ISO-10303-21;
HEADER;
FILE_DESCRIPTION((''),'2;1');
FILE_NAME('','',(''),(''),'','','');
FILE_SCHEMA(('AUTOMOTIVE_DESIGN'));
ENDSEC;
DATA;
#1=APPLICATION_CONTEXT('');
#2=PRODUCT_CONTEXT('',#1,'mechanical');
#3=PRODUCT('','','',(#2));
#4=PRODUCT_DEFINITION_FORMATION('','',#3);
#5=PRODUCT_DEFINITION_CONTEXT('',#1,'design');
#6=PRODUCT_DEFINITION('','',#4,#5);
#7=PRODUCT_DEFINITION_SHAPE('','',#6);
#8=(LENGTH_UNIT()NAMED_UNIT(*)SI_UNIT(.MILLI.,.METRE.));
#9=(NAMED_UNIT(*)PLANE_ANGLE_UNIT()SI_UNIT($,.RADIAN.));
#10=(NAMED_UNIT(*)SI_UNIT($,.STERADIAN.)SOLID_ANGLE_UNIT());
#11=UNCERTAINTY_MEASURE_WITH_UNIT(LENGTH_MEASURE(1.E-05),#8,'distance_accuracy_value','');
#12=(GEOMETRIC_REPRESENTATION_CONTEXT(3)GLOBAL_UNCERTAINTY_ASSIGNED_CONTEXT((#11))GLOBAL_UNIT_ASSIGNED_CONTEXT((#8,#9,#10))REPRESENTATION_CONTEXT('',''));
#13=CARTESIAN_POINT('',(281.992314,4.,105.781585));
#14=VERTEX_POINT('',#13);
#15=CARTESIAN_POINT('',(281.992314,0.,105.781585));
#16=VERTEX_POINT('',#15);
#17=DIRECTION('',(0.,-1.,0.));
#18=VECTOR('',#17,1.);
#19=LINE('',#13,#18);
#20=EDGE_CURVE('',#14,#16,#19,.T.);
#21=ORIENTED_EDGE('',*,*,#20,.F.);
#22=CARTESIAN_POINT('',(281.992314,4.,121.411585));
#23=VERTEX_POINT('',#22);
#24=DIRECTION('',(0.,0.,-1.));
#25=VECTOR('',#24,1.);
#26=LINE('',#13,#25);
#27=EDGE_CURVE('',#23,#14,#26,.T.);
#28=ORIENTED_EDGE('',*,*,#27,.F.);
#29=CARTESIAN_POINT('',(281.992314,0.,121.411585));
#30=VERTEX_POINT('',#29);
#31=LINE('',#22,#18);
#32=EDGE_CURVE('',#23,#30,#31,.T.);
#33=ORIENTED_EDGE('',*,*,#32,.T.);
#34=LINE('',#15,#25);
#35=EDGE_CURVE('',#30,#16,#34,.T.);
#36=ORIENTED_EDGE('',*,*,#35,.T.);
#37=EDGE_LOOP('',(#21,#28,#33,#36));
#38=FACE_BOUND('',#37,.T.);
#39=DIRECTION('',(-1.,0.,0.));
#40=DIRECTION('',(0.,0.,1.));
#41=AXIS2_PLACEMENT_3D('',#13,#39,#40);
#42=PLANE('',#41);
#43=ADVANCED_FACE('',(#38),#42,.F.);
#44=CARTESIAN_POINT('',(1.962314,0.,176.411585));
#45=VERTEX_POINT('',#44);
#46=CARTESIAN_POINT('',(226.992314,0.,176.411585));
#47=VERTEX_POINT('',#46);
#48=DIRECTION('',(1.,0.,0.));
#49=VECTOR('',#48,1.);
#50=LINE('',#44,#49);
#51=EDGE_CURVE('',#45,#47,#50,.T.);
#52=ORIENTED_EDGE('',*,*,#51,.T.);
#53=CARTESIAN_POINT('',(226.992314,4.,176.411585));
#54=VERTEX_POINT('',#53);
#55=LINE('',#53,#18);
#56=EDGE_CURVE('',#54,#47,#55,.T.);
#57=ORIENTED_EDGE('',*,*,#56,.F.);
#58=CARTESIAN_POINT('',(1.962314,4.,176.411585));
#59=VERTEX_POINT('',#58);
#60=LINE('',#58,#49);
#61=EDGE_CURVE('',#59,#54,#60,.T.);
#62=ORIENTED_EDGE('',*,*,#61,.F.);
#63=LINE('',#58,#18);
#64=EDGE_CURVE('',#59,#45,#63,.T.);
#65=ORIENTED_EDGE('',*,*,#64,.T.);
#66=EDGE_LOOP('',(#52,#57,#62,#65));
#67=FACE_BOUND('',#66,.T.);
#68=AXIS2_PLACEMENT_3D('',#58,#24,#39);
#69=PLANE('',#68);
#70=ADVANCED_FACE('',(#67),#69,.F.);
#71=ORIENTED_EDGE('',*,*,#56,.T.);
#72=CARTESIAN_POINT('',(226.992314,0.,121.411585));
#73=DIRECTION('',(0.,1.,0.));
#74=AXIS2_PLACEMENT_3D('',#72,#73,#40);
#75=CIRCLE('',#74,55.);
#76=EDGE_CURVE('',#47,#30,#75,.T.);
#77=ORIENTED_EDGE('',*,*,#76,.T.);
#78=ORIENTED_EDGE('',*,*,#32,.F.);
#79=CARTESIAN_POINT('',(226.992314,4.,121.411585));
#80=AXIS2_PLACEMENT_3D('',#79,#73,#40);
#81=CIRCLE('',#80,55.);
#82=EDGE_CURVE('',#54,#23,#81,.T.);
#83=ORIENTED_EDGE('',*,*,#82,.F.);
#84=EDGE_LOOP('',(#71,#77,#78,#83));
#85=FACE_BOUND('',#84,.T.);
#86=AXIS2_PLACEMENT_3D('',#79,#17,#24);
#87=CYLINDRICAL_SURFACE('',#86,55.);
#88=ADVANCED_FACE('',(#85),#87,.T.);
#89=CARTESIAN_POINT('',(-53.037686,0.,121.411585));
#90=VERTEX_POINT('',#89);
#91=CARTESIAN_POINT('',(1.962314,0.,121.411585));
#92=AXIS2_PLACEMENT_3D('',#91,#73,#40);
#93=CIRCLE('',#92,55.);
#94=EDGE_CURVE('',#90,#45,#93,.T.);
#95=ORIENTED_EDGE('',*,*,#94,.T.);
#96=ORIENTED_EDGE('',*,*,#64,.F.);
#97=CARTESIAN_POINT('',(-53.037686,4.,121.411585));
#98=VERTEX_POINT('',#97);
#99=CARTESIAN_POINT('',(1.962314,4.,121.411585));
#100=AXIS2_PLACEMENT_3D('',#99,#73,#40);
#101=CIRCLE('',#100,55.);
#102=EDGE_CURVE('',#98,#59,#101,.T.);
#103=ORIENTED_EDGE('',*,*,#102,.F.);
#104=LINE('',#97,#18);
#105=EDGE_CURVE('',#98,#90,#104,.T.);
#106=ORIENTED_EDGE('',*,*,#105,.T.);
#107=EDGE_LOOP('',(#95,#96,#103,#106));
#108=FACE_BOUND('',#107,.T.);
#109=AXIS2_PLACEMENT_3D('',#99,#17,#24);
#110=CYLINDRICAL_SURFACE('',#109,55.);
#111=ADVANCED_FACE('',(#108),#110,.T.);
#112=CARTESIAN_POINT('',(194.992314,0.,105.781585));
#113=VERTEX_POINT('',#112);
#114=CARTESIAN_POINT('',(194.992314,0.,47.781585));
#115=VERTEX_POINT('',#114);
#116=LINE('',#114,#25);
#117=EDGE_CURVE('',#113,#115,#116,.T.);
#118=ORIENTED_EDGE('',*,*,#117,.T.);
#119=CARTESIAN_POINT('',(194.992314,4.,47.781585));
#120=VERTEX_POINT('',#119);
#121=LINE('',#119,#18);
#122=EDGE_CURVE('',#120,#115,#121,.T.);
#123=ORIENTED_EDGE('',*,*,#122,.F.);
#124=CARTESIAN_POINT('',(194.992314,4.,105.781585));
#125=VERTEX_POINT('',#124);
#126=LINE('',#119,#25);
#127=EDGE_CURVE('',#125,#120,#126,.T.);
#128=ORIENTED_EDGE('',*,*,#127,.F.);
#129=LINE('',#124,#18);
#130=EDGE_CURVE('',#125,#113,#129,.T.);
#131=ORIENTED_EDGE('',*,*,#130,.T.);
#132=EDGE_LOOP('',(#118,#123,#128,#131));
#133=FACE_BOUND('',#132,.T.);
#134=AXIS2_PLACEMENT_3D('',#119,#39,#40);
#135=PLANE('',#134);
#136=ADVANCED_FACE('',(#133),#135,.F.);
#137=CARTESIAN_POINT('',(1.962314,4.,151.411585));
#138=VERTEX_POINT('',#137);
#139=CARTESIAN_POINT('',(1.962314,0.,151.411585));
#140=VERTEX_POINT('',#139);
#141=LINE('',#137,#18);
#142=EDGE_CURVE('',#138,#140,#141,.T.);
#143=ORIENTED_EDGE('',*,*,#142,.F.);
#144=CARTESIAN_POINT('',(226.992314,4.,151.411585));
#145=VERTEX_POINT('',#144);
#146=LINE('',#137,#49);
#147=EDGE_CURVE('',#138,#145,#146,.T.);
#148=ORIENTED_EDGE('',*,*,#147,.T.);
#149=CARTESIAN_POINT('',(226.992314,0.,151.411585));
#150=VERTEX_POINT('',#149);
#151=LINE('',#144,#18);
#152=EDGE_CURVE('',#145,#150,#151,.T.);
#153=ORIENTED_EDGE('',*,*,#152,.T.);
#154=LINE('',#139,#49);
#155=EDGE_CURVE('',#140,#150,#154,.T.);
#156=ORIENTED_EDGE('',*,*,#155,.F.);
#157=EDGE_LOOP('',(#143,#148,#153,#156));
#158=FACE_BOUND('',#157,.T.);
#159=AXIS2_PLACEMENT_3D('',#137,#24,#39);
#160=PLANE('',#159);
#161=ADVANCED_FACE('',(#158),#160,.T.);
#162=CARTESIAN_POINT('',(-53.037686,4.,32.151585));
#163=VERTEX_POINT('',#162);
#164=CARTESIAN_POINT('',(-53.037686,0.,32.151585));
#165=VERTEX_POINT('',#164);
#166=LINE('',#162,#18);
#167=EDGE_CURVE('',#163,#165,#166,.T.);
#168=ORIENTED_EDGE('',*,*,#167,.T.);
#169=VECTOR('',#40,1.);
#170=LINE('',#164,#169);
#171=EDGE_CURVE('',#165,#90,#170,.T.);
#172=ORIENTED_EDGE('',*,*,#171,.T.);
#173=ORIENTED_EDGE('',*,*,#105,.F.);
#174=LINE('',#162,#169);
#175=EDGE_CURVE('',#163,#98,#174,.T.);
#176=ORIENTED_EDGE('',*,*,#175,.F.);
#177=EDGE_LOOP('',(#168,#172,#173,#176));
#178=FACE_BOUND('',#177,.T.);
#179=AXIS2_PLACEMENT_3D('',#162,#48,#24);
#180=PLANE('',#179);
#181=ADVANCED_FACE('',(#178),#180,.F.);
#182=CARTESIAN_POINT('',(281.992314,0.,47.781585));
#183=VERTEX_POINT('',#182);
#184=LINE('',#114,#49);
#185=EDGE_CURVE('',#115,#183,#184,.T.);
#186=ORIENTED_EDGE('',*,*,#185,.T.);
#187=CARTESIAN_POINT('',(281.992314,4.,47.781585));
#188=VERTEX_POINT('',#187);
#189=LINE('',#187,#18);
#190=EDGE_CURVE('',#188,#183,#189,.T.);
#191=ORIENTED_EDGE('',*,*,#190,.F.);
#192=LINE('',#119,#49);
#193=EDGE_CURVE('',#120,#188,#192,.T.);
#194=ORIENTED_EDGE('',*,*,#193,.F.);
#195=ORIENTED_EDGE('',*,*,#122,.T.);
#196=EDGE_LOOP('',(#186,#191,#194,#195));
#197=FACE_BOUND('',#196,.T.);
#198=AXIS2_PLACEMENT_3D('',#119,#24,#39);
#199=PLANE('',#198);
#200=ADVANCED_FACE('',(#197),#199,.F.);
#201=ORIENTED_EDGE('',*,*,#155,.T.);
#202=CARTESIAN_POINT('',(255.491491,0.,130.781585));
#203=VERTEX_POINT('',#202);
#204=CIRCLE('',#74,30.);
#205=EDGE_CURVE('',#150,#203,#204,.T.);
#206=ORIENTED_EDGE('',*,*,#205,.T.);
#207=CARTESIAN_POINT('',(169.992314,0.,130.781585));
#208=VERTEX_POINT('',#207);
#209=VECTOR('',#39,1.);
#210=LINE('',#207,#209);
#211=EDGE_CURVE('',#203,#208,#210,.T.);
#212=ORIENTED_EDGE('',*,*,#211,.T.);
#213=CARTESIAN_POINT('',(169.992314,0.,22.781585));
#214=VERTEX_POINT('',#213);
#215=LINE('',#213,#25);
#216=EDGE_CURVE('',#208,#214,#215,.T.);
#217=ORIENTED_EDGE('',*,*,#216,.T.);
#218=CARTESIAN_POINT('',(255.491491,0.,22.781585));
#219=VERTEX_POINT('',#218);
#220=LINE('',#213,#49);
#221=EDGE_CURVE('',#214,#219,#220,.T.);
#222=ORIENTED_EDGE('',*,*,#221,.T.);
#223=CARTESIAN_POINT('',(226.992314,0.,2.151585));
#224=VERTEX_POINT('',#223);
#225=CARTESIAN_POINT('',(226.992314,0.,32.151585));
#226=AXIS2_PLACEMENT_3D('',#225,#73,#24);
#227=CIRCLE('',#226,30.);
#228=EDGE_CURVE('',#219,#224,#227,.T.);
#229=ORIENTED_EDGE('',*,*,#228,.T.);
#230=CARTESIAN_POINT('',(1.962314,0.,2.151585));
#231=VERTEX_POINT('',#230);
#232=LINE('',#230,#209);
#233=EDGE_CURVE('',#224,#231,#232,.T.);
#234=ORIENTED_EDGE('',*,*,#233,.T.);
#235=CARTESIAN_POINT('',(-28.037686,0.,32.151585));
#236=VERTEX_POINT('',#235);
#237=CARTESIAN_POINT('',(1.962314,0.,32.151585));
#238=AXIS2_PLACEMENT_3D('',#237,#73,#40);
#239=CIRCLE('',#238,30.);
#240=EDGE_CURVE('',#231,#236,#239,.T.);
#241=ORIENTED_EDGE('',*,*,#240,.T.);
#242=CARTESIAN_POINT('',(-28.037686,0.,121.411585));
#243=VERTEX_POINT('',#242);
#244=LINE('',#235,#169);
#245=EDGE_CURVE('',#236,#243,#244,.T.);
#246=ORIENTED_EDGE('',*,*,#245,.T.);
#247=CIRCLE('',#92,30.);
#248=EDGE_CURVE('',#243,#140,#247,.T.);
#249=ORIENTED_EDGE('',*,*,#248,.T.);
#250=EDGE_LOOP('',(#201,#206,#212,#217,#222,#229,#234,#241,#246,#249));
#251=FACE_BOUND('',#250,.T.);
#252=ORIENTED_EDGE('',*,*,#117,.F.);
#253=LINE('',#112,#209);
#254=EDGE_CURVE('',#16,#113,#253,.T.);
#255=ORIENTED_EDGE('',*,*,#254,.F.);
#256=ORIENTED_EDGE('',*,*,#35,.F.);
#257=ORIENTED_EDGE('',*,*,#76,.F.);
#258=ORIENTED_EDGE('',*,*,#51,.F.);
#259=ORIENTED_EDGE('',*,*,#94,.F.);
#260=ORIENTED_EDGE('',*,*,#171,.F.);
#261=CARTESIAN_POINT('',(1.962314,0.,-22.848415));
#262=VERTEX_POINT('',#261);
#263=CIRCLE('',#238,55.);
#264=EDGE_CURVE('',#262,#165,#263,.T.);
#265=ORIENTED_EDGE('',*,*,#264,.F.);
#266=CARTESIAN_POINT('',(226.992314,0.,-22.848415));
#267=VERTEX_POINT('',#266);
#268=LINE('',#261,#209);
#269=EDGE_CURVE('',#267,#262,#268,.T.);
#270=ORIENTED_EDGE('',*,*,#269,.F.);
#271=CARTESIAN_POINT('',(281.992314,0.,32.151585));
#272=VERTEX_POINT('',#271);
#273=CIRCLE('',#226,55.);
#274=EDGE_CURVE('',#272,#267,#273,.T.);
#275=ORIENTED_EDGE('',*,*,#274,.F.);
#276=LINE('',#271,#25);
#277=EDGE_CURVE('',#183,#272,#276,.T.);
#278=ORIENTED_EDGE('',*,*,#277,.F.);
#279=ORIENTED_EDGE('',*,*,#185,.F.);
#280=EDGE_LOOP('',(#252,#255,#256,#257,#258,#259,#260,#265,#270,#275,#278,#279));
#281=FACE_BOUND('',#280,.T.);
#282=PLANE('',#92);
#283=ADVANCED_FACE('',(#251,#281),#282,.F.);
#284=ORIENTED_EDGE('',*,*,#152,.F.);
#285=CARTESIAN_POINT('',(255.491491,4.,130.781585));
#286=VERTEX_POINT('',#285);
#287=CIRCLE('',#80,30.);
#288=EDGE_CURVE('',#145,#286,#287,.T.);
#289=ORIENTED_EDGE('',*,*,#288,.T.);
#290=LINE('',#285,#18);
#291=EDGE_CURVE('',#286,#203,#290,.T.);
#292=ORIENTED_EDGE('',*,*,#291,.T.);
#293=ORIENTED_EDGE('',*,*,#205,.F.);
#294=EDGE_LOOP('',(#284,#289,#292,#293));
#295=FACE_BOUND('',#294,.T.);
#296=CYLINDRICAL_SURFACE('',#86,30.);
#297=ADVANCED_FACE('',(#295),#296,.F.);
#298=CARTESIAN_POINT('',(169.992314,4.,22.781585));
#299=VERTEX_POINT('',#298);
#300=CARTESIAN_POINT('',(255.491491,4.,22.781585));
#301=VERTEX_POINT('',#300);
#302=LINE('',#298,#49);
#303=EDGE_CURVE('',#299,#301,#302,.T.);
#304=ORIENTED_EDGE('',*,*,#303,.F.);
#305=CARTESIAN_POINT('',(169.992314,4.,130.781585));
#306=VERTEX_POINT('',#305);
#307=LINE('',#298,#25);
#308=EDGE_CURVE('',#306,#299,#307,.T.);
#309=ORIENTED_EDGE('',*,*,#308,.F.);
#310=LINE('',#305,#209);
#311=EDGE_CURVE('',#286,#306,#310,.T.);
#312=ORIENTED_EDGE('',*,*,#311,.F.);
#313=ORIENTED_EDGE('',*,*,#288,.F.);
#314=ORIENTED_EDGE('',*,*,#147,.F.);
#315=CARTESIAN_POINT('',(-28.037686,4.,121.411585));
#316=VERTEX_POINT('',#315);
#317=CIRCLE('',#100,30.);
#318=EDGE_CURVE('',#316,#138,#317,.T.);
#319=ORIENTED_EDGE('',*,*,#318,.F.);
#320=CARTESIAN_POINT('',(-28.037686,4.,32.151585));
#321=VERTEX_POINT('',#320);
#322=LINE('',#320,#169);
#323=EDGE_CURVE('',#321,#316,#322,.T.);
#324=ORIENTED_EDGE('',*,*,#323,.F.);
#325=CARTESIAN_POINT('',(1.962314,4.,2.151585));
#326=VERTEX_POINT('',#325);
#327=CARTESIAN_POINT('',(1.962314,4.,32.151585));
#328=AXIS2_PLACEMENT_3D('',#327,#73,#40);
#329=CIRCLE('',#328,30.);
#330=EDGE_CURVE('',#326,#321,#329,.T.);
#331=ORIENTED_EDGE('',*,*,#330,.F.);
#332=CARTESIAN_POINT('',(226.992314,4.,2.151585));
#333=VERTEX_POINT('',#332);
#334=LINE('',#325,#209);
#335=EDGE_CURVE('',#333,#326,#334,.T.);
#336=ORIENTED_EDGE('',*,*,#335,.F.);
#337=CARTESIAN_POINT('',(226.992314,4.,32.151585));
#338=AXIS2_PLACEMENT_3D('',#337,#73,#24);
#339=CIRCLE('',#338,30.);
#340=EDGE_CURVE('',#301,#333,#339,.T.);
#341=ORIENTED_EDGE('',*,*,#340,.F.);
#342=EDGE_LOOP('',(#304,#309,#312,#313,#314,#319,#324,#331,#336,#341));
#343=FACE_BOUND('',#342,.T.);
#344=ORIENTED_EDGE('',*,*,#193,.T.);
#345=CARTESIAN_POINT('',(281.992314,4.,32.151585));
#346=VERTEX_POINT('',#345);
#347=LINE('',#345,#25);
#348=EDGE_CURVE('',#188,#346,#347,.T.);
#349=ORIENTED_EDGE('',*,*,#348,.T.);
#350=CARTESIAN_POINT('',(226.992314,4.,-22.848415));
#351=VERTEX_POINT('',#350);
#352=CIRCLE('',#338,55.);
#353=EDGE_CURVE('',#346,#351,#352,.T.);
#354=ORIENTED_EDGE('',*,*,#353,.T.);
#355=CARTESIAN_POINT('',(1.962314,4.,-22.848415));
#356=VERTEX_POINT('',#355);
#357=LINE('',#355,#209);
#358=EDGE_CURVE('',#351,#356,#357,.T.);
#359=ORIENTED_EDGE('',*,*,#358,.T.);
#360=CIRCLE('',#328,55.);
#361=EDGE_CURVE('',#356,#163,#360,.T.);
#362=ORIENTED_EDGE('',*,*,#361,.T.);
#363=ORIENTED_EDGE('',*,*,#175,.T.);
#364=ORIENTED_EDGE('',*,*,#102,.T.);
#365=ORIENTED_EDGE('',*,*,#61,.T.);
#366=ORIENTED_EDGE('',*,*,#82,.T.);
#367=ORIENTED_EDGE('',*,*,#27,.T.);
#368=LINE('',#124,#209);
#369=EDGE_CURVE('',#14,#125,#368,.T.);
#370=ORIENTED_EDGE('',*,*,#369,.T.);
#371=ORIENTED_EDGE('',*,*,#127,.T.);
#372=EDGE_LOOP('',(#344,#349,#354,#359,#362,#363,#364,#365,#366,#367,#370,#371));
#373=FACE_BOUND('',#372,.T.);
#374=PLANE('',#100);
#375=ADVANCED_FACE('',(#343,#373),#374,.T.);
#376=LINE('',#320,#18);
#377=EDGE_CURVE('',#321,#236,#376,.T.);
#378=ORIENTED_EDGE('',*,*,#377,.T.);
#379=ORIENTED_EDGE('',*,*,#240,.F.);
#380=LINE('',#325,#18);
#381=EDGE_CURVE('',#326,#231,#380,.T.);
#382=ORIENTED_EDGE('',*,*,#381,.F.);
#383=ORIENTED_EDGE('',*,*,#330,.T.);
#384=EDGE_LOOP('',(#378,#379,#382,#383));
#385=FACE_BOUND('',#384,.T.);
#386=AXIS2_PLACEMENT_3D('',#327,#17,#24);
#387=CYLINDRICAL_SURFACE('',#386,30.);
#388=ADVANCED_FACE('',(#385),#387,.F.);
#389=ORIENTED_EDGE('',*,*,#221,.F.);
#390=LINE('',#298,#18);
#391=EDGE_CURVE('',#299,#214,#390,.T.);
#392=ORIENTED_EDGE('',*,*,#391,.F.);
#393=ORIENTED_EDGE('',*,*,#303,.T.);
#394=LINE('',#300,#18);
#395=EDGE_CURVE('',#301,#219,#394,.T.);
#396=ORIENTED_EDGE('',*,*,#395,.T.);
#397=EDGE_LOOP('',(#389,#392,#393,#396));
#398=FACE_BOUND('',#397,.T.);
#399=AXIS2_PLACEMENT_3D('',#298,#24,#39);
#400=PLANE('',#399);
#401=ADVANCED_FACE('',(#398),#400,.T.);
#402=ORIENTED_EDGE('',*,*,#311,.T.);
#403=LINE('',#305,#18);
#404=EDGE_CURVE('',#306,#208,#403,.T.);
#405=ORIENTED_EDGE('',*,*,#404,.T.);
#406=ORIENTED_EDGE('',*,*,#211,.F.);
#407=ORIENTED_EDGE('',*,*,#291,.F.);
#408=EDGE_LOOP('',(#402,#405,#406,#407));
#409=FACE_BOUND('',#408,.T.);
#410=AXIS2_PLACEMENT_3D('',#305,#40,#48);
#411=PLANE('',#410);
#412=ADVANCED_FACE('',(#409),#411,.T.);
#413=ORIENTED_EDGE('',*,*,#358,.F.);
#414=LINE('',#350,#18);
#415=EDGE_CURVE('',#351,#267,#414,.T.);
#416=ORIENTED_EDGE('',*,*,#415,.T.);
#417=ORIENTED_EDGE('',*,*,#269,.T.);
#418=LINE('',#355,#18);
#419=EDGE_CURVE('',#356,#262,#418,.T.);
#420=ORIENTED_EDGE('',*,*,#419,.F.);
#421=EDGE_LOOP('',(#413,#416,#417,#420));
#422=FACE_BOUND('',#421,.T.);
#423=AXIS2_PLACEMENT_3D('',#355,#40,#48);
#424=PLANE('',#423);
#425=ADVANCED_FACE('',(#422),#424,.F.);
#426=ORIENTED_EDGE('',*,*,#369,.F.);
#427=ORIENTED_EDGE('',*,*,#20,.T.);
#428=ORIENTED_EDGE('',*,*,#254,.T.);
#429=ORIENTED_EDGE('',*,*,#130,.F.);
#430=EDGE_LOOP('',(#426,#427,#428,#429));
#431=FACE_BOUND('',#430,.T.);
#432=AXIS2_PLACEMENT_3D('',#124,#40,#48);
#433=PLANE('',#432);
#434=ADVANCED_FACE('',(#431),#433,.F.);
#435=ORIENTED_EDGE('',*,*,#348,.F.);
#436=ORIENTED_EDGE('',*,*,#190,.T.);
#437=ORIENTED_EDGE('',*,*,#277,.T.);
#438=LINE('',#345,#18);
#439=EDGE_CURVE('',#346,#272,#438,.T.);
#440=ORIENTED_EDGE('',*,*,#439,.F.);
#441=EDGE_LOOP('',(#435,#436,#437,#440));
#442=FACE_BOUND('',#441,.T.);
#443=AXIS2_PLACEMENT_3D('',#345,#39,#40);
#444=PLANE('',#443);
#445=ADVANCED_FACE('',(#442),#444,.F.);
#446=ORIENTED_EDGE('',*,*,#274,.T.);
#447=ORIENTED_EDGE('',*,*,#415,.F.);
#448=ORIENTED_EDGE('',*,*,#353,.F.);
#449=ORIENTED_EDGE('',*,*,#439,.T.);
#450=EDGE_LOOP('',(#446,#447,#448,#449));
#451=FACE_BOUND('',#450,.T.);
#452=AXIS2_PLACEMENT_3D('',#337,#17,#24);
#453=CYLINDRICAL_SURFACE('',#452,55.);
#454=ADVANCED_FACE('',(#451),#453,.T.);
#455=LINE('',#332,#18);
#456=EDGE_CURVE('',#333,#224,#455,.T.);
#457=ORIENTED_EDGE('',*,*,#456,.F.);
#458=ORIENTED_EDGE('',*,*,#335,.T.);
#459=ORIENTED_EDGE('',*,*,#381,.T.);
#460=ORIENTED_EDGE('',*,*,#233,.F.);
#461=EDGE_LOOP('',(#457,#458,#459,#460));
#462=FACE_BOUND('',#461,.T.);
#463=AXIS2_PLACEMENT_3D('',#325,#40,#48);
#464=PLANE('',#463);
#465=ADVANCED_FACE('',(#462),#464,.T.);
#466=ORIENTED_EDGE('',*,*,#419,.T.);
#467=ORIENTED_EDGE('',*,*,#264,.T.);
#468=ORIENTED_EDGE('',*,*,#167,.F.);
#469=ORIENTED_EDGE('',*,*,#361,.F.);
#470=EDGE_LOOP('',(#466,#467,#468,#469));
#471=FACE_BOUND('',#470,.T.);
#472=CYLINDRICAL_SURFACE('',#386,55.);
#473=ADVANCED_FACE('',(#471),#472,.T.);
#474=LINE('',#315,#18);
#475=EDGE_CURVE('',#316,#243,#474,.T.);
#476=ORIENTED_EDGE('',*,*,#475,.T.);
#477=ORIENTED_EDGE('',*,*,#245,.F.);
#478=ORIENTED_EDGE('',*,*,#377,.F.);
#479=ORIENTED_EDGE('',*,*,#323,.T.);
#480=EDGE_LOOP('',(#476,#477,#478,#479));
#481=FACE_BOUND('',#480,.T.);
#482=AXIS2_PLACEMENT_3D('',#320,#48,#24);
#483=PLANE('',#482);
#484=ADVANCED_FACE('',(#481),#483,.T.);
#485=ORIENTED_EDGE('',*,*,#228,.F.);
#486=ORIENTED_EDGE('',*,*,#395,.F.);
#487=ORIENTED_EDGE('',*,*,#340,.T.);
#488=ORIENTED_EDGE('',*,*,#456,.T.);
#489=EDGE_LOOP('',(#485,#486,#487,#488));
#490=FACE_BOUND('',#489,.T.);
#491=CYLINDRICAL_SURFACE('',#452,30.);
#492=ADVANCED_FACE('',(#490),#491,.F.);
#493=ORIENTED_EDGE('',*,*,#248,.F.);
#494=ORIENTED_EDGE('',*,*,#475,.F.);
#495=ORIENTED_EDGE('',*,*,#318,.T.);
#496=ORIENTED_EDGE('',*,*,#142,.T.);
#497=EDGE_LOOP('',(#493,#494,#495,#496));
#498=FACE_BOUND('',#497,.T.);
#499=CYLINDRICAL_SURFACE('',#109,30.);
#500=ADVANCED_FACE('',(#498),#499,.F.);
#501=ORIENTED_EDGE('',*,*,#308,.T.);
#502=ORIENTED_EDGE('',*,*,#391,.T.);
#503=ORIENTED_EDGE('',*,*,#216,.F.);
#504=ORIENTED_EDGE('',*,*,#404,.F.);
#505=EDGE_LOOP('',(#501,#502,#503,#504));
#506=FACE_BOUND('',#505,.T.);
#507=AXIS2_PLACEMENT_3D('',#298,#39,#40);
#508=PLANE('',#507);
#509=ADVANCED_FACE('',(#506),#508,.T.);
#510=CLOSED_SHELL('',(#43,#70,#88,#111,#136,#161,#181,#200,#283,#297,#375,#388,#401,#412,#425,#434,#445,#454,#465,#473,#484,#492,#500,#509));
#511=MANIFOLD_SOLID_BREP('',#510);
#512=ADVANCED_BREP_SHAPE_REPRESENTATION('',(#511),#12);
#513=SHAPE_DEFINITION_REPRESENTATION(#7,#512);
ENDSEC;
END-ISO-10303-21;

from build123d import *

# Parameters (mm, degrees)
BOSS_EXTRUDE1_DEPTH = 4


with BuildPart() as part:
    # Sketch1 → Boss-Extrude1 (new body)
    with BuildSketch(Plane(origin=(0, 0, 0), x_dir=(1, 0, 0), z_dir=(0, 1, 0))):
        with BuildLine():
            Line((281.992313692, -105.781584964), (281.992313692, -121.411584964))
            ThreePointArc((281.992313692, -121.411584964), (265.883186657, -160.302457929), (226.992313692, -176.411584964))
            Line((226.992313692, -176.411584964), (1.962313692, -176.411584964))
            ThreePointArc((1.962313692, -176.411584964), (-36.928559274, -160.302457929), (-53.037686308, -121.411584964))
            Line((-53.037686308, -121.411584964), (-53.037686308, -32.151584964))
            ThreePointArc((-53.037686308, -32.151584964), (-36.928559274, 6.739288001), (1.962313692, 22.848415036))
            Line((1.962313692, 22.848415036), (226.992313692, 22.848415036))
            ThreePointArc((226.992313692, 22.848415036), (265.883186657, 6.739288001), (281.992313692, -32.151584964))
            Line((281.992313692, -32.151584964), (281.992313692, -47.781584964))
            Line((281.992313692, -47.781584964), (194.992313692, -47.781584964))
            Line((194.992313692, -47.781584964), (194.992313692, -105.781584964))
            Line((194.992313692, -105.781584964), (281.992313692, -105.781584964))
        make_face()
        with BuildLine():
            Line((1.962313692, -151.411584964), (226.992313692, -151.411584964))
            ThreePointArc((226.992313692, -151.411584964), (244.583504669, -145.712819501), (255.491490873, -130.781584964))
            Line((255.491490873, -130.781584964), (169.992313692, -130.781584964))
            Line((169.992313692, -130.781584964), (169.992313692, -22.781584964))
            Line((169.992313692, -22.781584964), (255.491490873, -22.781584964))
            ThreePointArc((255.491490873, -22.781584964), (244.583504669, -7.850350427), (226.992313692, -2.151584964))
            Line((226.992313692, -2.151584964), (1.962313692, -2.151584964))
            ThreePointArc((1.962313692, -2.151584964), (-19.250889744, -10.938381528), (-28.037686308, -32.151584964))
            Line((-28.037686308, -32.151584964), (-28.037686308, -121.411584964))
            ThreePointArc((-28.037686308, -121.411584964), (-19.250889744, -142.6247884), (1.962313692, -151.411584964))
        make_face(mode=Mode.SUBTRACT)
    extrude(amount=BOSS_EXTRUDE1_DEPTH)


solid = part.part
